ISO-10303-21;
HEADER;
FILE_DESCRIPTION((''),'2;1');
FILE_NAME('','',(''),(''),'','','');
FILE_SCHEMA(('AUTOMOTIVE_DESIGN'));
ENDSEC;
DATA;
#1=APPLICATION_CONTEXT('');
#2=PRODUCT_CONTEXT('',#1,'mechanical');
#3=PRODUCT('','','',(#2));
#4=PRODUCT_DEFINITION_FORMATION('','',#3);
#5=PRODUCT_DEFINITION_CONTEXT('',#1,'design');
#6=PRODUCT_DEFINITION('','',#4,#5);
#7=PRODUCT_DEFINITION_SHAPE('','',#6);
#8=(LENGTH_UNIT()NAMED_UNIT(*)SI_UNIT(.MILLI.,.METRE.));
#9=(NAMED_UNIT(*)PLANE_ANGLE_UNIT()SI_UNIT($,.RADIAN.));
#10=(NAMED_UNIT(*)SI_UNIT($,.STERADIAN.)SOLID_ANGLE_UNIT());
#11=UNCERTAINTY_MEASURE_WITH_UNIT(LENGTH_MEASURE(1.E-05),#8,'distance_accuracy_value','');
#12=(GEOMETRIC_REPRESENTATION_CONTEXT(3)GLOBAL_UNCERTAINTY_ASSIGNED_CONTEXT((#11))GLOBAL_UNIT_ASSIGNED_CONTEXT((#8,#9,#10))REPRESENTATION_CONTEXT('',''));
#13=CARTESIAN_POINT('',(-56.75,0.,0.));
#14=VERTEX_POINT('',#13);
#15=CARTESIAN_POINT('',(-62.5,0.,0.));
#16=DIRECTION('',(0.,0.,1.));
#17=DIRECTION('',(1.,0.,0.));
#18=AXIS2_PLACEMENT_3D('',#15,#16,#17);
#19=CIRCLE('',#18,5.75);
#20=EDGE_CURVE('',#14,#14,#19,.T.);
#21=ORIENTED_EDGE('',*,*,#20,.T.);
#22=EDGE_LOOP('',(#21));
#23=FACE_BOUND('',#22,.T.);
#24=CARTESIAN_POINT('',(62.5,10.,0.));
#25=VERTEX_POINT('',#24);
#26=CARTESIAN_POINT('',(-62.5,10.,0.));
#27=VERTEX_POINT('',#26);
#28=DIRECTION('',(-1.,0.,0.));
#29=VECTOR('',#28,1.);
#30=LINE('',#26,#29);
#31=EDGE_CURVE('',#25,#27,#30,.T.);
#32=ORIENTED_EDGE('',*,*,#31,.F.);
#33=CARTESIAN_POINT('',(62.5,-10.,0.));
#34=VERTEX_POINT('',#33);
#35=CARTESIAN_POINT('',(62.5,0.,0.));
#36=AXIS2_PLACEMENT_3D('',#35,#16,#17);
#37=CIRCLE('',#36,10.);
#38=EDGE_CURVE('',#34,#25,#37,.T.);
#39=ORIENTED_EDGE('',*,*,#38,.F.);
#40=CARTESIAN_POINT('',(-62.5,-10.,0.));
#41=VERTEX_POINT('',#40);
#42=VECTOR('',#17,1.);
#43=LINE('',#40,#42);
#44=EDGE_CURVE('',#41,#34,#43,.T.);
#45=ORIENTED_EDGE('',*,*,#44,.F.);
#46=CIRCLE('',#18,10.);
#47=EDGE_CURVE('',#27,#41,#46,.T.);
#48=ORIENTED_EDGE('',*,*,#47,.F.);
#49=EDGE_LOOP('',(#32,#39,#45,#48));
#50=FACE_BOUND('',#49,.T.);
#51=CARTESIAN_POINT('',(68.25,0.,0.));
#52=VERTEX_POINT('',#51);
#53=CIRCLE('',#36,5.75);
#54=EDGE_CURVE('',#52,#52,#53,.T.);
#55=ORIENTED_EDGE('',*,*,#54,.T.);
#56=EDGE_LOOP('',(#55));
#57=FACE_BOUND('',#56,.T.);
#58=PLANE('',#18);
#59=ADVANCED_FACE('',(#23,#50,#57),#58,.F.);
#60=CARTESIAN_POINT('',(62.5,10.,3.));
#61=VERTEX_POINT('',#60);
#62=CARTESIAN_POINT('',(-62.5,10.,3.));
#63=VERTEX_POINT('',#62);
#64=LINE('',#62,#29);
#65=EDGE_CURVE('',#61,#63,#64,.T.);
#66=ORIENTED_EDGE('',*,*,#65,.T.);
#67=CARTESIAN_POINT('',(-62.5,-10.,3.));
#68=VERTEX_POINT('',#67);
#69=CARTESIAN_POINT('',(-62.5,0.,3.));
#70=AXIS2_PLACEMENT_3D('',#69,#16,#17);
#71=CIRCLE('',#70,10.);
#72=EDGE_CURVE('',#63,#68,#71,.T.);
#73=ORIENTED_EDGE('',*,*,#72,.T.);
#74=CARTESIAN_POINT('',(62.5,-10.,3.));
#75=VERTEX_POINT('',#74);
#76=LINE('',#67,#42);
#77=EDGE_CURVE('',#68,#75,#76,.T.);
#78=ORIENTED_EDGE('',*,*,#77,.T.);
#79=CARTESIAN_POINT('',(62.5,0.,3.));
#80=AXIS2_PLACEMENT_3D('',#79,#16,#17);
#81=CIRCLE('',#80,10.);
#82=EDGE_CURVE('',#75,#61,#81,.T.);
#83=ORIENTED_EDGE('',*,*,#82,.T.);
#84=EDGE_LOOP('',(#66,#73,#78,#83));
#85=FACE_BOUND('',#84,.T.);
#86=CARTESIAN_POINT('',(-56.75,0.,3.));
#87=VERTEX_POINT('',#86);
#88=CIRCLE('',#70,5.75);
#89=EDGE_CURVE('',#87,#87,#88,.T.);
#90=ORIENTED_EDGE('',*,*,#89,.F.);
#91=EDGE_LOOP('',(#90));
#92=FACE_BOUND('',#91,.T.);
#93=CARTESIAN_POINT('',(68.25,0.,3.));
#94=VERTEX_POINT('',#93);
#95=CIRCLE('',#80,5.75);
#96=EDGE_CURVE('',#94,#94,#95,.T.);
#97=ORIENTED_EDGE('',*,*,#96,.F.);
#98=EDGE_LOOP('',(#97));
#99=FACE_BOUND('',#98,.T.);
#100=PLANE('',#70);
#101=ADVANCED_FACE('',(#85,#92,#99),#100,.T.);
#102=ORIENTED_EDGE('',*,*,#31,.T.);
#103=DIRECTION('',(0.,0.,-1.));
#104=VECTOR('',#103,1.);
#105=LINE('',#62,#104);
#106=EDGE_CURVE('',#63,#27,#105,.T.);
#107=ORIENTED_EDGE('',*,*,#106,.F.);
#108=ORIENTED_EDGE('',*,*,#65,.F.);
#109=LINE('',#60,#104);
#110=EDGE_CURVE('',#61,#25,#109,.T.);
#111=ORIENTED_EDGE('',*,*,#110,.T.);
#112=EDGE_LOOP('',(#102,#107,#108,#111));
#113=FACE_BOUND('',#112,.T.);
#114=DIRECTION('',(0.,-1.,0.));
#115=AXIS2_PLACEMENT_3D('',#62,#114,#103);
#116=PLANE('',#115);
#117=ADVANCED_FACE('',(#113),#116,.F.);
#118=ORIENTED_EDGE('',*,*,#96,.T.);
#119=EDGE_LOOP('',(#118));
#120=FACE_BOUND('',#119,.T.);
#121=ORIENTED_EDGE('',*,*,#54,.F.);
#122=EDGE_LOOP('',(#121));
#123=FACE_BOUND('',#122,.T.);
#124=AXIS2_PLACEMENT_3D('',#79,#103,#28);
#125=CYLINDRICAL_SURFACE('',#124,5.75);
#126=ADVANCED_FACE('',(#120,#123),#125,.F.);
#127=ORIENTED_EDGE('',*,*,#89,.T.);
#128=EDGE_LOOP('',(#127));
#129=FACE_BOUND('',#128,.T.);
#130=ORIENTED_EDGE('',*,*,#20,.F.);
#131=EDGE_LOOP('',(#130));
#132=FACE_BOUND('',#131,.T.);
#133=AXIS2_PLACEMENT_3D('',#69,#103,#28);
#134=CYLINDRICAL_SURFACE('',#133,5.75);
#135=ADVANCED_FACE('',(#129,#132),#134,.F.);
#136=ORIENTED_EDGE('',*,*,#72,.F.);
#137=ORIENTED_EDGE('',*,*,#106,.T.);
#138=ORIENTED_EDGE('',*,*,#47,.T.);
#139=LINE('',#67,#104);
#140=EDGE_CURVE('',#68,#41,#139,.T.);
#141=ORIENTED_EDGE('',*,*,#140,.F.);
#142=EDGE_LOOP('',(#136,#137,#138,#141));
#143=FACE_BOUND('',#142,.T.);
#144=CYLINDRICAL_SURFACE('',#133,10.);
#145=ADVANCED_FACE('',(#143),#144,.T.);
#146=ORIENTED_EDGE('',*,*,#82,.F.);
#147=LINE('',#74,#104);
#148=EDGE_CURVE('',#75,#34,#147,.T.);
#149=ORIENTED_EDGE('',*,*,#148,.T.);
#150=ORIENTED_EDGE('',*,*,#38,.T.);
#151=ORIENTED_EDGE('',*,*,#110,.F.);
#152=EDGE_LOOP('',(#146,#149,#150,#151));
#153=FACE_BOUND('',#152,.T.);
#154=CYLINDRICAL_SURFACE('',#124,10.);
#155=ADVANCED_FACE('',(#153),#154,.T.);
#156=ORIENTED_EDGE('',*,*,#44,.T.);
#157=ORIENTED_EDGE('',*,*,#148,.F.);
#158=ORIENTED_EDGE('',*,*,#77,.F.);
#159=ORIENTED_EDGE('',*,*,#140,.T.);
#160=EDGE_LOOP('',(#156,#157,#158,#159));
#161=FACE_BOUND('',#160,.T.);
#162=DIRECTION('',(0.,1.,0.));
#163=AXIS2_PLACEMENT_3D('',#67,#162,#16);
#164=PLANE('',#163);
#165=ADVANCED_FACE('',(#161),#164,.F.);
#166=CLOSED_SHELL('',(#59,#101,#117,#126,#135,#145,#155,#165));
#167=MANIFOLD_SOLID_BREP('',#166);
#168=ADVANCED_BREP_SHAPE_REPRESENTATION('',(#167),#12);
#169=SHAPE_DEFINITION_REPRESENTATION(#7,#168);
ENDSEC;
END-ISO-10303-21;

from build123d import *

# Parameters (mm, degrees)
SKETCH1_R           = 5.75
BOSS_EXTRUDE1_DEPTH = 3


with BuildPart() as part:
    # Sketch1 → Boss-Extrude1 (new body)
    with BuildSketch(Plane.XY):
        with BuildLine():
            Line((-62.5, 10), (62.5, 10))
            ThreePointArc((62.5, 10), (72.5, 0), (62.5, -10))
            Line((62.5, -10), (-62.5, -10))
            ThreePointArc((-62.5, -10), (-72.5, 0), (-62.5, 10))
        make_face()
        with Locations((-62.5, 0)):
            Circle(SKETCH1_R, mode=Mode.SUBTRACT)
        with Locations((62.5, 0)):
            Circle(SKETCH1_R, mode=Mode.SUBTRACT)
    extrude(amount=BOSS_EXTRUDE1_DEPTH)


solid = part.part
